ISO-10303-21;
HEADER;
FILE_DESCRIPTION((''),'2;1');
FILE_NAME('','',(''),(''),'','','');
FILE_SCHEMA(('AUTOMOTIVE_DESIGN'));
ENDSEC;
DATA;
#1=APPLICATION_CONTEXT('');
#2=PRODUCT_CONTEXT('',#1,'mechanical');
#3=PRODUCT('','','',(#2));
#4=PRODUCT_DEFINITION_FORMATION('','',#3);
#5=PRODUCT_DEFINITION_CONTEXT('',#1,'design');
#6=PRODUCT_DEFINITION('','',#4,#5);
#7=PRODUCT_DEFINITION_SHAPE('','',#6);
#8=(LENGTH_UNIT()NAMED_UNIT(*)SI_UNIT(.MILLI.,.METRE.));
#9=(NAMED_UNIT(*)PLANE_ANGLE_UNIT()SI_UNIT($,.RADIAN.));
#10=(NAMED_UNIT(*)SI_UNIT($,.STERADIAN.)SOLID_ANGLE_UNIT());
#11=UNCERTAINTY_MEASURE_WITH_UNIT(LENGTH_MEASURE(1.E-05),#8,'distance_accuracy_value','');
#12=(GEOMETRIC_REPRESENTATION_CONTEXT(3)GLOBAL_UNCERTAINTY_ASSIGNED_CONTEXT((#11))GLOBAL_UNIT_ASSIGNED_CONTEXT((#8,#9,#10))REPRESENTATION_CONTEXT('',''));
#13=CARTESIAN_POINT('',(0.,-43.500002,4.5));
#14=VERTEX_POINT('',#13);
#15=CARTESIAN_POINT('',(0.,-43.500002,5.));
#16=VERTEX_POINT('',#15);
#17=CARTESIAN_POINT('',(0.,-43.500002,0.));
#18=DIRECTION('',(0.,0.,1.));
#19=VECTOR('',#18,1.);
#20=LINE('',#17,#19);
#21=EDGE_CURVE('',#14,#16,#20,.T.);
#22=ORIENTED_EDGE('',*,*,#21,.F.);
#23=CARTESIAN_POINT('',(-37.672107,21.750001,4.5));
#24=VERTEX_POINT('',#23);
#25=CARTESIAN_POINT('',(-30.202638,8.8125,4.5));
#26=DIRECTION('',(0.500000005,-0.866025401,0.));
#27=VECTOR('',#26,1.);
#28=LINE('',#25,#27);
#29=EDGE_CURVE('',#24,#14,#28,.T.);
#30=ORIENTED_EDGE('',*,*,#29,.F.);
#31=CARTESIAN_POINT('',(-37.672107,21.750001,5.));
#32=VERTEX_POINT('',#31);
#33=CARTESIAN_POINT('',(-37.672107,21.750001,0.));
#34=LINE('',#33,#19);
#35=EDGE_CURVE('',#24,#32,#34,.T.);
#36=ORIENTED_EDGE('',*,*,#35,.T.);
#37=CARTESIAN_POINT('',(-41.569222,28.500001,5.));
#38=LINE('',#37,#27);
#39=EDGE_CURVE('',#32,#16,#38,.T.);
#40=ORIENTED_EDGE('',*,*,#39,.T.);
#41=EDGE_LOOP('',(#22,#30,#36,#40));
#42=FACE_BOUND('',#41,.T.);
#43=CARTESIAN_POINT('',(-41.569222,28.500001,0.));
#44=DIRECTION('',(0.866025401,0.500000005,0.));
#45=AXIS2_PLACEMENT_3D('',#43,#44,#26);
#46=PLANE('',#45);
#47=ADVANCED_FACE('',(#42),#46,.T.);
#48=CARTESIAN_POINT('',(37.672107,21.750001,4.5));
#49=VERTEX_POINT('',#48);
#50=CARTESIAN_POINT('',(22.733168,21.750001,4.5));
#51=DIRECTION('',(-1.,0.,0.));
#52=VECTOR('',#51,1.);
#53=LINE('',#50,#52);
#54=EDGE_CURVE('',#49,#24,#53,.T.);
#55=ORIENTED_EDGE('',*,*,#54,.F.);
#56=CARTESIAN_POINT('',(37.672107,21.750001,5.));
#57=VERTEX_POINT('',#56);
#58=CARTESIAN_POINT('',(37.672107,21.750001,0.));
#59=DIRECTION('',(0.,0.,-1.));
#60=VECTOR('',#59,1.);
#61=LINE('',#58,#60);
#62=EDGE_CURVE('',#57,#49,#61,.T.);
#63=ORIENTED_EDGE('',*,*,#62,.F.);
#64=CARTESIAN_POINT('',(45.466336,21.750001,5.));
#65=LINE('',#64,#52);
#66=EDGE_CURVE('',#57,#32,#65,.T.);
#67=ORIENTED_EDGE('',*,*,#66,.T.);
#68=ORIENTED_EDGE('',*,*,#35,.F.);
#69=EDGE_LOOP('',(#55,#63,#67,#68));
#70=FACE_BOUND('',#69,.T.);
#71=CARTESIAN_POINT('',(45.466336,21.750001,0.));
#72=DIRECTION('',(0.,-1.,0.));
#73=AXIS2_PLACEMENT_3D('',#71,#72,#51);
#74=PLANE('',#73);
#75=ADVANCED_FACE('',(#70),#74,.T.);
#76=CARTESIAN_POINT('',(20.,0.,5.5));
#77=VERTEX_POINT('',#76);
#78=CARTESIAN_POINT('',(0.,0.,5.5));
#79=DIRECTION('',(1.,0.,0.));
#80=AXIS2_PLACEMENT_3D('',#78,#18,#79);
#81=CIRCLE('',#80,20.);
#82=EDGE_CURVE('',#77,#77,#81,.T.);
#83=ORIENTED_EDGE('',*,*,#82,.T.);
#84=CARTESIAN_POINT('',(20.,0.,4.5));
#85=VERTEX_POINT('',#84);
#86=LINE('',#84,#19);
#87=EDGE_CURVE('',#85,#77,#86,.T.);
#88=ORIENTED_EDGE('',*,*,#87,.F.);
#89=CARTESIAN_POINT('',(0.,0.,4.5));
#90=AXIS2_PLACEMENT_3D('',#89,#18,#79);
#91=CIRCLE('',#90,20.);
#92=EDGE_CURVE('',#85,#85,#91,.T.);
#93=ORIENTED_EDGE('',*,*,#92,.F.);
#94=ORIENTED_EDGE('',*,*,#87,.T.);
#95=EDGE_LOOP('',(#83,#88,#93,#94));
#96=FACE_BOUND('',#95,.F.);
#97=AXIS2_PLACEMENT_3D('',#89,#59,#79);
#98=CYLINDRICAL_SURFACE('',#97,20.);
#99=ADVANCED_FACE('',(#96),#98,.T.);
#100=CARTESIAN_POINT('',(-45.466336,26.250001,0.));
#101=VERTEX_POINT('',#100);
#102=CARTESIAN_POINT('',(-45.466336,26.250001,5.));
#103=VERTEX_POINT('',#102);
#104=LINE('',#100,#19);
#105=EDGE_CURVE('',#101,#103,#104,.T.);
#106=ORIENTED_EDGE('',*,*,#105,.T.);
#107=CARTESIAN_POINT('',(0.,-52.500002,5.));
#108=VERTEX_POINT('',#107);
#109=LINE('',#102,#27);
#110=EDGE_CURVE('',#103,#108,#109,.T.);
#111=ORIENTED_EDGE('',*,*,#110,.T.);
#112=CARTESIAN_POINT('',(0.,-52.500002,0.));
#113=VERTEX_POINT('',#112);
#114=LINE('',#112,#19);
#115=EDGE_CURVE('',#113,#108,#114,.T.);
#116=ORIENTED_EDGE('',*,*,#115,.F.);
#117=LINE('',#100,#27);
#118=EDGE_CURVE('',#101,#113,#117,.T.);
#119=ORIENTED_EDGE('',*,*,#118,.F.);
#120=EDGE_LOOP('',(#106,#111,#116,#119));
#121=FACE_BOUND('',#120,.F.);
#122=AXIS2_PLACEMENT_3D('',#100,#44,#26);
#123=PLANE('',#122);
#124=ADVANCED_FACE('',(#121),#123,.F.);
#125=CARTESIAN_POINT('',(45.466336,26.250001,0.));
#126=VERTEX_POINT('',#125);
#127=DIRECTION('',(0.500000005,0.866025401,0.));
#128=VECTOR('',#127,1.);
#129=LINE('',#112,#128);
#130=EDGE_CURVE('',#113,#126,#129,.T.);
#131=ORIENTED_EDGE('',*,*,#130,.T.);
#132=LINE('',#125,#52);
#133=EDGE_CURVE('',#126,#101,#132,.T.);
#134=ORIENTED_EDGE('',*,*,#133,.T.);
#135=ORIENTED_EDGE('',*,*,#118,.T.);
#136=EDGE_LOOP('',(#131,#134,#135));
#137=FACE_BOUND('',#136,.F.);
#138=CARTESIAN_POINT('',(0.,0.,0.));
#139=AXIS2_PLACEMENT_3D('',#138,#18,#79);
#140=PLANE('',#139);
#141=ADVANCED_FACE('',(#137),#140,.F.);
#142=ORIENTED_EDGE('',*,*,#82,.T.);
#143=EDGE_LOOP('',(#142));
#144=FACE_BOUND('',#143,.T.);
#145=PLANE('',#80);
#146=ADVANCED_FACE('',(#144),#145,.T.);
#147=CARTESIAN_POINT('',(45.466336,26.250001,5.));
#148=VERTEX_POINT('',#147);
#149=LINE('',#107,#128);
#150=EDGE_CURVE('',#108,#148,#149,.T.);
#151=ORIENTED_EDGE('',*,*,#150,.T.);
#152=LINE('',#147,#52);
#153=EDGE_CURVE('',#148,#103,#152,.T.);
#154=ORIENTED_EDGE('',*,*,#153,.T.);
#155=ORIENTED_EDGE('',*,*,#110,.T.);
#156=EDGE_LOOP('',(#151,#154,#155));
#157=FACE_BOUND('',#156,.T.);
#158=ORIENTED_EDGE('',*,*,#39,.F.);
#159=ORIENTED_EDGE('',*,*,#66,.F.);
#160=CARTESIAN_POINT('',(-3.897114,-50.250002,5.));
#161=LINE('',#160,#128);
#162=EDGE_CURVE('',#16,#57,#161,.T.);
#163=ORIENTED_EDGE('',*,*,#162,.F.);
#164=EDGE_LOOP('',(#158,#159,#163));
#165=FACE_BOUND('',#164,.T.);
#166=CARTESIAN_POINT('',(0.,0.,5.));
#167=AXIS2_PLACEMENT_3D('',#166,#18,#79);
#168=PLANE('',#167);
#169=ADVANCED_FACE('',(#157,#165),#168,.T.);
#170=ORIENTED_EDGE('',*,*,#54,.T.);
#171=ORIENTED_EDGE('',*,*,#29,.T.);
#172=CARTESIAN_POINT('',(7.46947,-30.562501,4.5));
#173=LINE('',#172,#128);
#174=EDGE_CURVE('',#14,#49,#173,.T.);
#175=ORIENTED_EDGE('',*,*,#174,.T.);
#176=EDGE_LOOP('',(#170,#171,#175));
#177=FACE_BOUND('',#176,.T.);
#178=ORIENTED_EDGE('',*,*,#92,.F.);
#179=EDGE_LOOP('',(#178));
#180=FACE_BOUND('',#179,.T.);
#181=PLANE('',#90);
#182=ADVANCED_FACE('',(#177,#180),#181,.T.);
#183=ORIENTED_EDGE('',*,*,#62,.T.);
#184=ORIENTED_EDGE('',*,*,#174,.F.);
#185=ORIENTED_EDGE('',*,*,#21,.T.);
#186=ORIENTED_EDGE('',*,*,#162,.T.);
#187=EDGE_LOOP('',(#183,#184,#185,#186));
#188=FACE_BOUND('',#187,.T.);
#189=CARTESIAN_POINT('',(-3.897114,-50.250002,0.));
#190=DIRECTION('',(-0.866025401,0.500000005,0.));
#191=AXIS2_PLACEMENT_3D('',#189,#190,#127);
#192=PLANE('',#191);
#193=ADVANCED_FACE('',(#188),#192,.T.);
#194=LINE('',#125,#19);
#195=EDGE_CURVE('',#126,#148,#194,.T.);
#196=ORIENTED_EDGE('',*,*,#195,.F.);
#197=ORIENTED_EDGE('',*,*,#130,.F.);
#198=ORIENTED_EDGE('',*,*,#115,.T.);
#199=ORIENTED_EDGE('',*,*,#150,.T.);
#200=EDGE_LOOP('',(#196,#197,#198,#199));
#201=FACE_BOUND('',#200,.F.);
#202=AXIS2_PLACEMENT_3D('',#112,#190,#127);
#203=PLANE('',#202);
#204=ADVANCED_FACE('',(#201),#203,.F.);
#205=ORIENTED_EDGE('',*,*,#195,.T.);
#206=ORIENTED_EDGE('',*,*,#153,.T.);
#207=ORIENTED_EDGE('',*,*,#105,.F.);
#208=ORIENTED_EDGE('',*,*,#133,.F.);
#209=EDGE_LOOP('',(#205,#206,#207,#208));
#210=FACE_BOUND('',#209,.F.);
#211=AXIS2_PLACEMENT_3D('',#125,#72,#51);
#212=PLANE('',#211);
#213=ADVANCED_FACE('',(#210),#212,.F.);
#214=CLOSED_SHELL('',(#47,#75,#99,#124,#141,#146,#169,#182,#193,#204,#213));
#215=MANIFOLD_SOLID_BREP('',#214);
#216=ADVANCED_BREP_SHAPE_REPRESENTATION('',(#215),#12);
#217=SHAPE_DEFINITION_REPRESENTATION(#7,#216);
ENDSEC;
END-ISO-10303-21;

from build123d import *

# Parameters (mm, degrees)
F2_DEPTH = 5
F0_R     = 20.5
F3_DEPTH = 5
F4_T     = -4.5
F5_R     = 20
F6_DEPTH = 1


with BuildPart() as f2:
    # F1 (on Top) → F2 (new body)
    with BuildSketch(Plane.XY):
        Polygon((45.466336, 26.250001), (-45.466336, 26.250001), (0, -52.500002), align=None)
    extrude(amount=F2_DEPTH)

    # F0 (on Top) → F3 (join)
    with BuildSketch(Plane.XY):
        Circle(F0_R)
    extrude(amount=F3_DEPTH)

    # F4
    f4_openings = [f2.faces().sort_by_distance(p)[0] for p in [
        (0, 0, 5),
    ]]
    offset(amount=F4_T, openings=f4_openings)

    # F5 (on face) → F6 (join)
    with BuildSketch(Plane.XY.offset(4.5)):
        Circle(F5_R)
    extrude(amount=F6_DEPTH)


solid = f2.part
